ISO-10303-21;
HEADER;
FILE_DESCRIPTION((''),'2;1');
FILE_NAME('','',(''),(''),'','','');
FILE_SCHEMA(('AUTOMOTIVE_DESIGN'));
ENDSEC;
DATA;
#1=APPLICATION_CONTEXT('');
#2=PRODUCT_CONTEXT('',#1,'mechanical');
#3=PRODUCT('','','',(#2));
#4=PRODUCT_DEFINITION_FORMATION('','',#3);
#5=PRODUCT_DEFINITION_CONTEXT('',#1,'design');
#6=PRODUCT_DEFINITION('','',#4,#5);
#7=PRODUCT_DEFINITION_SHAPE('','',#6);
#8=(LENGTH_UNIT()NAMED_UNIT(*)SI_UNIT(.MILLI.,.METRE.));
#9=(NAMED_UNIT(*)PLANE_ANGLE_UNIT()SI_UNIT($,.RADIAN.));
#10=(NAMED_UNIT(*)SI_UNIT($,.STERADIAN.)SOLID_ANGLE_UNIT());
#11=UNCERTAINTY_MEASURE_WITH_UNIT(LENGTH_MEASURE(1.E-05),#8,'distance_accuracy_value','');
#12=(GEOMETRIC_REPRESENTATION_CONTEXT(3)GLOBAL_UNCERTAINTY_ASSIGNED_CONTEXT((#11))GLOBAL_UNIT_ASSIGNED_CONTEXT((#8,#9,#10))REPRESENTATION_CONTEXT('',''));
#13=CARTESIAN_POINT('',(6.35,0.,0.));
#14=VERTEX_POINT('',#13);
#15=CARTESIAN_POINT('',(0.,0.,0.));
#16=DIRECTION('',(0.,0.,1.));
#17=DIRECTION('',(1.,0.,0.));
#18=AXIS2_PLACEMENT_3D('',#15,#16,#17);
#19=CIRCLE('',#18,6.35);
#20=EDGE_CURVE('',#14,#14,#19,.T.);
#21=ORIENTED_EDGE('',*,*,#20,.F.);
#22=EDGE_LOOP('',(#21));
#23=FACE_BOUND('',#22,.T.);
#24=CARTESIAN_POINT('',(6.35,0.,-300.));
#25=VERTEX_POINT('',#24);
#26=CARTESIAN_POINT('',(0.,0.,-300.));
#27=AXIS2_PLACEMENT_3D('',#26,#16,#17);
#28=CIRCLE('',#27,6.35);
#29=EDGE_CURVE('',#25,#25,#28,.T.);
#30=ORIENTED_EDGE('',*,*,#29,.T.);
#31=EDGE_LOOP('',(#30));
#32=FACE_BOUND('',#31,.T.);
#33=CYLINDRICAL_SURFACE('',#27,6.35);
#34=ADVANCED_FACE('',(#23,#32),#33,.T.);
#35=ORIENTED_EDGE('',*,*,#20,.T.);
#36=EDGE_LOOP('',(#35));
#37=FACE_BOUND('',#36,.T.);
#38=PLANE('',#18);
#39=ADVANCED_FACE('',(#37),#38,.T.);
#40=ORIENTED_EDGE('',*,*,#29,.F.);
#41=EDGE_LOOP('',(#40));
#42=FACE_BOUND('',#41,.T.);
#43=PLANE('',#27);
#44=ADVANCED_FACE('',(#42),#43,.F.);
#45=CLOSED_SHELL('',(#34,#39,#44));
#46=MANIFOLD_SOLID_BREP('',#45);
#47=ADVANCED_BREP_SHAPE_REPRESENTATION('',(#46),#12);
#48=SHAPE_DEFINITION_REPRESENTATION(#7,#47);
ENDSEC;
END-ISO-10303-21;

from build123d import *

# Parameters (mm, degrees)
CROQUIS1_R = 6.35


with BuildPart() as part:
    # Barrer1: sweep along a path in Croquis2
    with BuildLine(Plane(origin=(0, 0, 0), x_dir=(0, 0, -1), z_dir=(1, 0, 0))) as barrer1_path:
        Line((0, 0), (300, 0))
    # Croquis1 → Barrer1 (sweep)
    with BuildSketch(Plane.XY):
        Circle(CROQUIS1_R)
    sweep(path=barrer1_path.line)


solid = part.part
